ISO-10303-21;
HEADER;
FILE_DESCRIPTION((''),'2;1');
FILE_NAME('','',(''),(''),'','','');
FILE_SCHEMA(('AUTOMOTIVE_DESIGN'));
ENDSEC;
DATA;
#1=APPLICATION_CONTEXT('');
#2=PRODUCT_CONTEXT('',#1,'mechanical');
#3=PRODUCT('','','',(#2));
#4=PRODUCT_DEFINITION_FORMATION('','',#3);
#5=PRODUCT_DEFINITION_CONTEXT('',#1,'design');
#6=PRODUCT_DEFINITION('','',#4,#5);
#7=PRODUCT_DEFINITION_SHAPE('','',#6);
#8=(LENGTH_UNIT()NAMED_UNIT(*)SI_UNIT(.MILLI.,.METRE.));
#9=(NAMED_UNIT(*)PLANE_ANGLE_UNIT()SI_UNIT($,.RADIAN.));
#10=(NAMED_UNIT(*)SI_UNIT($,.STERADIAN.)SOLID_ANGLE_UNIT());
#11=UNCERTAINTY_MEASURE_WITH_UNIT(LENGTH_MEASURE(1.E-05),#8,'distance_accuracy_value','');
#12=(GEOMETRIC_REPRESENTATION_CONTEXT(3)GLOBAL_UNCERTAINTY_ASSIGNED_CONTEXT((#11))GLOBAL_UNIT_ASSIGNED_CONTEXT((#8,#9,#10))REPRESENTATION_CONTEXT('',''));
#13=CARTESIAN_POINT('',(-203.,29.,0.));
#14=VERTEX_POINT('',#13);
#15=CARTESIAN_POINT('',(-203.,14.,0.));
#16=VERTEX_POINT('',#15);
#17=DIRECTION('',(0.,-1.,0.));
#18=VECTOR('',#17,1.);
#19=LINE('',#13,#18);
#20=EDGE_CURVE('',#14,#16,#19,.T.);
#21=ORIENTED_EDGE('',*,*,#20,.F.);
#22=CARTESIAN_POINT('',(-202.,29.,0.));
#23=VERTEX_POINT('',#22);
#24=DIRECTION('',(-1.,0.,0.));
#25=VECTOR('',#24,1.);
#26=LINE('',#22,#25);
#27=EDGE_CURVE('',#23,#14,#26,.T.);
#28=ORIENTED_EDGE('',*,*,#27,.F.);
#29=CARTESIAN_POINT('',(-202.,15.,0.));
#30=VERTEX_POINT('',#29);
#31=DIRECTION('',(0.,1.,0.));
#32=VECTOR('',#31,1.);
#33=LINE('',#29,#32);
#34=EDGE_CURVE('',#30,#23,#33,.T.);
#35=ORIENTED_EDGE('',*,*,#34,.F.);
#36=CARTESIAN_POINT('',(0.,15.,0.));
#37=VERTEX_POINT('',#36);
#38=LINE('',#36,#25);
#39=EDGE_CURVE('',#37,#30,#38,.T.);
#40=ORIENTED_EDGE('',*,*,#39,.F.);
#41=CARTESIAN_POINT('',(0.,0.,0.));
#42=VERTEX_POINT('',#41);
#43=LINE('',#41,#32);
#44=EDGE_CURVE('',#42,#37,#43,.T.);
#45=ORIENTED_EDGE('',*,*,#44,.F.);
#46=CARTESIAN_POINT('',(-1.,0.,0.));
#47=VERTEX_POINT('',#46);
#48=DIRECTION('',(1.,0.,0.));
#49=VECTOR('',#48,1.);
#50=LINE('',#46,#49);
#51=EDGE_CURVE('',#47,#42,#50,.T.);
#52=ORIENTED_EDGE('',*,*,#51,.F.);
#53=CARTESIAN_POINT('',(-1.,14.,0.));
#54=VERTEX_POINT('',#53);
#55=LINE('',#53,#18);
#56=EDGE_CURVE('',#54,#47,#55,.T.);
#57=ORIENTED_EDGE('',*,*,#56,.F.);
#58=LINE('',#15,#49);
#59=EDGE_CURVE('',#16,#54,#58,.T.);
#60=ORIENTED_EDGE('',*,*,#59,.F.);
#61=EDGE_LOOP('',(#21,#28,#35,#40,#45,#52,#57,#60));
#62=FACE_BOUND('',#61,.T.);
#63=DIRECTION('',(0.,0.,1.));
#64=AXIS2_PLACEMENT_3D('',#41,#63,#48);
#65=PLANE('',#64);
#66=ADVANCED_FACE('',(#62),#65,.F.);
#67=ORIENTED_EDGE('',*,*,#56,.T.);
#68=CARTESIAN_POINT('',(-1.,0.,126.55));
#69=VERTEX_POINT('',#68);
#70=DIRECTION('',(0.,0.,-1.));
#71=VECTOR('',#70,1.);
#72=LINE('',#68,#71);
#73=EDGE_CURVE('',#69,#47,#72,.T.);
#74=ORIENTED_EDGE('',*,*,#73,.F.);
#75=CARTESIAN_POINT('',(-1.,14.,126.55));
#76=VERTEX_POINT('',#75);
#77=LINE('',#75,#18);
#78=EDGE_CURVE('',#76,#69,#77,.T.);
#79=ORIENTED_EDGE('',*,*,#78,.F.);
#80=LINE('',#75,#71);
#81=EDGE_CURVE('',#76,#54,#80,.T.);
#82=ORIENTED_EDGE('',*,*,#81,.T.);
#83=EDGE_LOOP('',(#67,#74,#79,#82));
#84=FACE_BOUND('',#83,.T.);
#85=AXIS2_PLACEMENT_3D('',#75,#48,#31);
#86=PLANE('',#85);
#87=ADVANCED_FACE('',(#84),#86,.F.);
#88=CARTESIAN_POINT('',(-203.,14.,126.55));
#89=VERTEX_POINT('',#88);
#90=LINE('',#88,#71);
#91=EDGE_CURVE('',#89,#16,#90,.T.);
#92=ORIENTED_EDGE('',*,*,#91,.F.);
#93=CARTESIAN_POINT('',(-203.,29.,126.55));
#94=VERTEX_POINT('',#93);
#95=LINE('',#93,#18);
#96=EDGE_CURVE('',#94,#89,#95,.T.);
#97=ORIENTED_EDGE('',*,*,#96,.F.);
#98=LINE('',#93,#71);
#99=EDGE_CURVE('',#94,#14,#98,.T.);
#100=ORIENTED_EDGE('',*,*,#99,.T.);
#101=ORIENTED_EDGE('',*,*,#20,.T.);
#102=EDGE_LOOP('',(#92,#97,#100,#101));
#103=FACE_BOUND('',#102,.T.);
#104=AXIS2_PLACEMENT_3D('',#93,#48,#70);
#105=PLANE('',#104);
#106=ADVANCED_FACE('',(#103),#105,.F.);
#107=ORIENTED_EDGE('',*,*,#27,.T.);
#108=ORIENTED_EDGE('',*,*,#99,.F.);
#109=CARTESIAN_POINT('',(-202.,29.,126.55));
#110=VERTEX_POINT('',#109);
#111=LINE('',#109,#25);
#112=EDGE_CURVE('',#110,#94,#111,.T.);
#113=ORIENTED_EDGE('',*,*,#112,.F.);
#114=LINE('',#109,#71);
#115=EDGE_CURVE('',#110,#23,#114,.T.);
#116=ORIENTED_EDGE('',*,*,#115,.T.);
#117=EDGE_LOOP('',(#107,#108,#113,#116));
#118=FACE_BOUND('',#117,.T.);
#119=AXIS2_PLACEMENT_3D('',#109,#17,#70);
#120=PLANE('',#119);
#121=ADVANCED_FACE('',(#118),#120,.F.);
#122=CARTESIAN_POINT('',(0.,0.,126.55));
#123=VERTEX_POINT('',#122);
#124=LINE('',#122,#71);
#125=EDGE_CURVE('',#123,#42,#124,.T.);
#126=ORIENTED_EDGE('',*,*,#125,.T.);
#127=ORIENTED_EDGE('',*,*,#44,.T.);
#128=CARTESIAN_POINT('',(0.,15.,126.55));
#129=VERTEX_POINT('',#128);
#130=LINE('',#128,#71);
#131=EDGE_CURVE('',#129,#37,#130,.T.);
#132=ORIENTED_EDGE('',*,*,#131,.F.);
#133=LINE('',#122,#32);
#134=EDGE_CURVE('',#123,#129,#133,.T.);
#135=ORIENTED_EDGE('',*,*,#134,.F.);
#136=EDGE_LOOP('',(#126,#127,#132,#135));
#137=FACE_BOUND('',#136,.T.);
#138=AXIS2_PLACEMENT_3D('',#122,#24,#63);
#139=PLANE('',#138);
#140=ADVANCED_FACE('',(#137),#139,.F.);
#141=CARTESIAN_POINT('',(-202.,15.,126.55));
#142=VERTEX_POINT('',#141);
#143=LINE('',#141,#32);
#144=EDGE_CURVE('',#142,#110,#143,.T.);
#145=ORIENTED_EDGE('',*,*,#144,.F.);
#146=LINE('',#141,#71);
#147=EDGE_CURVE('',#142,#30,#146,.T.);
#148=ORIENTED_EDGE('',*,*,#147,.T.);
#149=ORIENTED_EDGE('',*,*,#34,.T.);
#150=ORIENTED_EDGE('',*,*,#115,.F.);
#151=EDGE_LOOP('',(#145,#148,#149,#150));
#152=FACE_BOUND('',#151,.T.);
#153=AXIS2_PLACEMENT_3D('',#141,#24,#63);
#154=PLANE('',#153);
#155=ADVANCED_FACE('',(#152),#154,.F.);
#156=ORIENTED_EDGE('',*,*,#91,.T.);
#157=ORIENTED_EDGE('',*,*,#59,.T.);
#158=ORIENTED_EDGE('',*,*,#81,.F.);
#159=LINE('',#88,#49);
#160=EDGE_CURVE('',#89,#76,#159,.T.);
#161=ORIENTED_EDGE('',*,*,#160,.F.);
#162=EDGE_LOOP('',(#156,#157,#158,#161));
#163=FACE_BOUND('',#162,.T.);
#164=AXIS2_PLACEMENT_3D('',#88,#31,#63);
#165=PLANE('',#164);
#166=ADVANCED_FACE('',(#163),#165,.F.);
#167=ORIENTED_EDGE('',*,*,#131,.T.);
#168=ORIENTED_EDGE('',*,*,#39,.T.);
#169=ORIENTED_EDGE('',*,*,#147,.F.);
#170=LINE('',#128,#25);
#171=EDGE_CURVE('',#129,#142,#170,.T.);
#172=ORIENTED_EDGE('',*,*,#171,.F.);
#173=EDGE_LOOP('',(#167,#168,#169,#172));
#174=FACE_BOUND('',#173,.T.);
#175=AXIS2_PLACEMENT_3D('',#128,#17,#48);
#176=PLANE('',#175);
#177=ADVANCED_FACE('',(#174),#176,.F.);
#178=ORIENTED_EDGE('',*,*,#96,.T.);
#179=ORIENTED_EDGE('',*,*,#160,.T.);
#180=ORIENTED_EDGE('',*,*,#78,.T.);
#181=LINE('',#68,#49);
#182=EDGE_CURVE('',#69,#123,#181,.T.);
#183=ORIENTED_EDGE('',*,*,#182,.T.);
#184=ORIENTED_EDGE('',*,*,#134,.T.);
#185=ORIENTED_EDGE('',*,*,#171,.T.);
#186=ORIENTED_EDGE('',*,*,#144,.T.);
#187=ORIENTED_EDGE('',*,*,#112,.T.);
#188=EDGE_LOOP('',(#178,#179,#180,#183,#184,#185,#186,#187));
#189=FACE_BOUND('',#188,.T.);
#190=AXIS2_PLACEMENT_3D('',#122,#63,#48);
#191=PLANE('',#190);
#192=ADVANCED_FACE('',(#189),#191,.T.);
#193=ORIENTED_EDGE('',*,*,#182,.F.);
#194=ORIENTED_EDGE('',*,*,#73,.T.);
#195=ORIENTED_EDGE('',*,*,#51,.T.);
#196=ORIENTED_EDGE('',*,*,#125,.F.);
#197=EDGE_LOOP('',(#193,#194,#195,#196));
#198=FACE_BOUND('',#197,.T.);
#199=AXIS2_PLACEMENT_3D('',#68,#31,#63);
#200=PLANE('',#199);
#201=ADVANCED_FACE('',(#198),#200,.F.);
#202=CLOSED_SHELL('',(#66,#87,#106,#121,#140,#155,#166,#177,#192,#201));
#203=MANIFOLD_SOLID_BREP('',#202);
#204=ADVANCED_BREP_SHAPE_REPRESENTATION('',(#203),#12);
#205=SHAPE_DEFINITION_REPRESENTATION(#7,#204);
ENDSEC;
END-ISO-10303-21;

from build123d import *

# Parameters (mm, degrees)
DODANIE_WYCI_GNI_CIE1_DEPTH = 126.55


with BuildPart() as part:
    # Szkic1 → Dodanie-wyciągnięcie1 (new body)
    with BuildSketch(Plane.XY):
        Polygon((0, 0), (0, 15), (-202, 15), (-202, 29), (-203, 29), (-203, 14), (-1, 14), (-1, 0), align=None)
    extrude(amount=DODANIE_WYCI_GNI_CIE1_DEPTH)


solid = part.part
